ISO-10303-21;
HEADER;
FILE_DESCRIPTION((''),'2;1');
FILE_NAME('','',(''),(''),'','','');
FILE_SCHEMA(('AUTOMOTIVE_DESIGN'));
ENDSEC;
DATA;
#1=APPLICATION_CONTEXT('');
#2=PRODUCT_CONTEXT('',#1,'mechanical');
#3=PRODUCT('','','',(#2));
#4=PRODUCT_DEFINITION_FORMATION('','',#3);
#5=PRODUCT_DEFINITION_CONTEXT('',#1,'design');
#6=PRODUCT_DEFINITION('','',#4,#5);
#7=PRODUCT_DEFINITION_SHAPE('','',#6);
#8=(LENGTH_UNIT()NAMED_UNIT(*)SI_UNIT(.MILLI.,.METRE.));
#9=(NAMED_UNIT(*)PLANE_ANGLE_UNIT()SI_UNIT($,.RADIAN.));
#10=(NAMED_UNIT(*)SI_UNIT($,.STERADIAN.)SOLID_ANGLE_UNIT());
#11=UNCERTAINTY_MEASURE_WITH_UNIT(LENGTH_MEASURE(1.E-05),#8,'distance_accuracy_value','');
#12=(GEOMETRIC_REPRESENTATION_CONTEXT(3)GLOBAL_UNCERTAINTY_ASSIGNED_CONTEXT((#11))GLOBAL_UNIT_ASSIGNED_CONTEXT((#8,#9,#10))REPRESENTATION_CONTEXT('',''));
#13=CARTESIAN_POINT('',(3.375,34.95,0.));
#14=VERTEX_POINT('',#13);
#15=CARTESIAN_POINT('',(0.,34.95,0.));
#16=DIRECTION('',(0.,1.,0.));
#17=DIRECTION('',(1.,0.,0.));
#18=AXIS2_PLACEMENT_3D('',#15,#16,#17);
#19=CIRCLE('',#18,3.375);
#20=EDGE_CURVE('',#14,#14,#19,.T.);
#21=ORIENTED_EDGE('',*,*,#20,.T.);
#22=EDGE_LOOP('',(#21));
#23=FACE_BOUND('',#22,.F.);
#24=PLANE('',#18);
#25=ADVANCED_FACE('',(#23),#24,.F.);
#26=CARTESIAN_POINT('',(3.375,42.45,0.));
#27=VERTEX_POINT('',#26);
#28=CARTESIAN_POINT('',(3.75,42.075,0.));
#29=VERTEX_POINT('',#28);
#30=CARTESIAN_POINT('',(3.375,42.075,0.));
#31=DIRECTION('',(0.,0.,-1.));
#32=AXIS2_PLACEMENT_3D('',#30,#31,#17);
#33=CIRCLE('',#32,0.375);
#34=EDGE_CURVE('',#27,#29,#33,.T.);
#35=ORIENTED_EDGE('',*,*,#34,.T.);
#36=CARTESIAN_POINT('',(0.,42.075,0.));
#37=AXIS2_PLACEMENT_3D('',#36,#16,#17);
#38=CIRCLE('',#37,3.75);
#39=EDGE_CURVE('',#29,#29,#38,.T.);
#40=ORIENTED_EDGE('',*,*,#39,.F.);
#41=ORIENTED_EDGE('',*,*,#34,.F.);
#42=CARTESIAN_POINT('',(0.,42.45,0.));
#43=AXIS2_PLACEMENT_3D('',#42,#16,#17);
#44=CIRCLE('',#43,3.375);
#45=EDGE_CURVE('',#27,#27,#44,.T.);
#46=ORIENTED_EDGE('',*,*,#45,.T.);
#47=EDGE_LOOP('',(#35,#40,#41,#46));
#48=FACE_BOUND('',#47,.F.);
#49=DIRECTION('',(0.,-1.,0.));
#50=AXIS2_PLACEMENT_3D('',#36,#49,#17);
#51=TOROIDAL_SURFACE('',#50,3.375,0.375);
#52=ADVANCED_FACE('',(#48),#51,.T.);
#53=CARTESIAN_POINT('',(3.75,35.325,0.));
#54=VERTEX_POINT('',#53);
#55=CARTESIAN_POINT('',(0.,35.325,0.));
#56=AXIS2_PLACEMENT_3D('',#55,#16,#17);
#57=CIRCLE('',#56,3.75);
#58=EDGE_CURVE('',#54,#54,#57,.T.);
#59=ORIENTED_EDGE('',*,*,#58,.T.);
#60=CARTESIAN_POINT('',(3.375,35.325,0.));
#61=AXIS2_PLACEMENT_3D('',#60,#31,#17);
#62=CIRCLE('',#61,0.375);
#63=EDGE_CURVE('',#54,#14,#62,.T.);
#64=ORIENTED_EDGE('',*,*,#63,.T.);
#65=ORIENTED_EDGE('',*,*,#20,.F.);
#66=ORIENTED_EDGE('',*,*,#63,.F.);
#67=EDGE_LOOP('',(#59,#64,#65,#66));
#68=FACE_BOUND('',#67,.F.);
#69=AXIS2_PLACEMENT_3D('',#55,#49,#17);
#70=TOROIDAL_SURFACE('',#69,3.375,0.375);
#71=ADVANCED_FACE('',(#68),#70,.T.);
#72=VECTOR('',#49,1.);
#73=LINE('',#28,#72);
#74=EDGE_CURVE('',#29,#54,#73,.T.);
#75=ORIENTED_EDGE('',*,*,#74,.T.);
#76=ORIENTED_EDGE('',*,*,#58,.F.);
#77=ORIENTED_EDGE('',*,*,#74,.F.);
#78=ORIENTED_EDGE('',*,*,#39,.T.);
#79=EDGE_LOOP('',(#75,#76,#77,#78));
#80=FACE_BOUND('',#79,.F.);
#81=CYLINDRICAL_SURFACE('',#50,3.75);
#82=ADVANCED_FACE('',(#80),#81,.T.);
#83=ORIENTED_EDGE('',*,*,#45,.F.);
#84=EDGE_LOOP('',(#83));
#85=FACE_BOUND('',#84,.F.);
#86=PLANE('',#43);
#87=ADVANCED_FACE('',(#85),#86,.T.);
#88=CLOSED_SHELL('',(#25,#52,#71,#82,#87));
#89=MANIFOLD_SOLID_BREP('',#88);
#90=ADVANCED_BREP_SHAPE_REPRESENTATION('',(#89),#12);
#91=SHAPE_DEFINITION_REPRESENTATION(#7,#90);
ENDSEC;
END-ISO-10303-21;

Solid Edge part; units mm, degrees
sketch "Sketch1" plane through (0, 0, 0) normal (0, 0, 1) x (1, 0, 0)
  line L0 (0, 42.45) -> (3.375, 42.45)
  arc A0 (3.375, 42.45) -> (3.75, 42.075) centre (3.375, 42.075) cw
  line L1 (3.75, 42.075) -> (3.75, 35.325)
  arc A1 (3.75, 35.325) -> (3.375, 34.95) centre (3.375, 35.325) cw
  line L2 (3.375, 34.95) -> (0, 34.95)
  line L3 (0, 34.95) -> (0, 42.45)
revolve "RevolvedProtrusion1" add sketch "Sketch1" angle 360 about axis through (0, 34.95, 0) along (0, 1, 0)
properties part number "SKF_81113 TN_PART4"
